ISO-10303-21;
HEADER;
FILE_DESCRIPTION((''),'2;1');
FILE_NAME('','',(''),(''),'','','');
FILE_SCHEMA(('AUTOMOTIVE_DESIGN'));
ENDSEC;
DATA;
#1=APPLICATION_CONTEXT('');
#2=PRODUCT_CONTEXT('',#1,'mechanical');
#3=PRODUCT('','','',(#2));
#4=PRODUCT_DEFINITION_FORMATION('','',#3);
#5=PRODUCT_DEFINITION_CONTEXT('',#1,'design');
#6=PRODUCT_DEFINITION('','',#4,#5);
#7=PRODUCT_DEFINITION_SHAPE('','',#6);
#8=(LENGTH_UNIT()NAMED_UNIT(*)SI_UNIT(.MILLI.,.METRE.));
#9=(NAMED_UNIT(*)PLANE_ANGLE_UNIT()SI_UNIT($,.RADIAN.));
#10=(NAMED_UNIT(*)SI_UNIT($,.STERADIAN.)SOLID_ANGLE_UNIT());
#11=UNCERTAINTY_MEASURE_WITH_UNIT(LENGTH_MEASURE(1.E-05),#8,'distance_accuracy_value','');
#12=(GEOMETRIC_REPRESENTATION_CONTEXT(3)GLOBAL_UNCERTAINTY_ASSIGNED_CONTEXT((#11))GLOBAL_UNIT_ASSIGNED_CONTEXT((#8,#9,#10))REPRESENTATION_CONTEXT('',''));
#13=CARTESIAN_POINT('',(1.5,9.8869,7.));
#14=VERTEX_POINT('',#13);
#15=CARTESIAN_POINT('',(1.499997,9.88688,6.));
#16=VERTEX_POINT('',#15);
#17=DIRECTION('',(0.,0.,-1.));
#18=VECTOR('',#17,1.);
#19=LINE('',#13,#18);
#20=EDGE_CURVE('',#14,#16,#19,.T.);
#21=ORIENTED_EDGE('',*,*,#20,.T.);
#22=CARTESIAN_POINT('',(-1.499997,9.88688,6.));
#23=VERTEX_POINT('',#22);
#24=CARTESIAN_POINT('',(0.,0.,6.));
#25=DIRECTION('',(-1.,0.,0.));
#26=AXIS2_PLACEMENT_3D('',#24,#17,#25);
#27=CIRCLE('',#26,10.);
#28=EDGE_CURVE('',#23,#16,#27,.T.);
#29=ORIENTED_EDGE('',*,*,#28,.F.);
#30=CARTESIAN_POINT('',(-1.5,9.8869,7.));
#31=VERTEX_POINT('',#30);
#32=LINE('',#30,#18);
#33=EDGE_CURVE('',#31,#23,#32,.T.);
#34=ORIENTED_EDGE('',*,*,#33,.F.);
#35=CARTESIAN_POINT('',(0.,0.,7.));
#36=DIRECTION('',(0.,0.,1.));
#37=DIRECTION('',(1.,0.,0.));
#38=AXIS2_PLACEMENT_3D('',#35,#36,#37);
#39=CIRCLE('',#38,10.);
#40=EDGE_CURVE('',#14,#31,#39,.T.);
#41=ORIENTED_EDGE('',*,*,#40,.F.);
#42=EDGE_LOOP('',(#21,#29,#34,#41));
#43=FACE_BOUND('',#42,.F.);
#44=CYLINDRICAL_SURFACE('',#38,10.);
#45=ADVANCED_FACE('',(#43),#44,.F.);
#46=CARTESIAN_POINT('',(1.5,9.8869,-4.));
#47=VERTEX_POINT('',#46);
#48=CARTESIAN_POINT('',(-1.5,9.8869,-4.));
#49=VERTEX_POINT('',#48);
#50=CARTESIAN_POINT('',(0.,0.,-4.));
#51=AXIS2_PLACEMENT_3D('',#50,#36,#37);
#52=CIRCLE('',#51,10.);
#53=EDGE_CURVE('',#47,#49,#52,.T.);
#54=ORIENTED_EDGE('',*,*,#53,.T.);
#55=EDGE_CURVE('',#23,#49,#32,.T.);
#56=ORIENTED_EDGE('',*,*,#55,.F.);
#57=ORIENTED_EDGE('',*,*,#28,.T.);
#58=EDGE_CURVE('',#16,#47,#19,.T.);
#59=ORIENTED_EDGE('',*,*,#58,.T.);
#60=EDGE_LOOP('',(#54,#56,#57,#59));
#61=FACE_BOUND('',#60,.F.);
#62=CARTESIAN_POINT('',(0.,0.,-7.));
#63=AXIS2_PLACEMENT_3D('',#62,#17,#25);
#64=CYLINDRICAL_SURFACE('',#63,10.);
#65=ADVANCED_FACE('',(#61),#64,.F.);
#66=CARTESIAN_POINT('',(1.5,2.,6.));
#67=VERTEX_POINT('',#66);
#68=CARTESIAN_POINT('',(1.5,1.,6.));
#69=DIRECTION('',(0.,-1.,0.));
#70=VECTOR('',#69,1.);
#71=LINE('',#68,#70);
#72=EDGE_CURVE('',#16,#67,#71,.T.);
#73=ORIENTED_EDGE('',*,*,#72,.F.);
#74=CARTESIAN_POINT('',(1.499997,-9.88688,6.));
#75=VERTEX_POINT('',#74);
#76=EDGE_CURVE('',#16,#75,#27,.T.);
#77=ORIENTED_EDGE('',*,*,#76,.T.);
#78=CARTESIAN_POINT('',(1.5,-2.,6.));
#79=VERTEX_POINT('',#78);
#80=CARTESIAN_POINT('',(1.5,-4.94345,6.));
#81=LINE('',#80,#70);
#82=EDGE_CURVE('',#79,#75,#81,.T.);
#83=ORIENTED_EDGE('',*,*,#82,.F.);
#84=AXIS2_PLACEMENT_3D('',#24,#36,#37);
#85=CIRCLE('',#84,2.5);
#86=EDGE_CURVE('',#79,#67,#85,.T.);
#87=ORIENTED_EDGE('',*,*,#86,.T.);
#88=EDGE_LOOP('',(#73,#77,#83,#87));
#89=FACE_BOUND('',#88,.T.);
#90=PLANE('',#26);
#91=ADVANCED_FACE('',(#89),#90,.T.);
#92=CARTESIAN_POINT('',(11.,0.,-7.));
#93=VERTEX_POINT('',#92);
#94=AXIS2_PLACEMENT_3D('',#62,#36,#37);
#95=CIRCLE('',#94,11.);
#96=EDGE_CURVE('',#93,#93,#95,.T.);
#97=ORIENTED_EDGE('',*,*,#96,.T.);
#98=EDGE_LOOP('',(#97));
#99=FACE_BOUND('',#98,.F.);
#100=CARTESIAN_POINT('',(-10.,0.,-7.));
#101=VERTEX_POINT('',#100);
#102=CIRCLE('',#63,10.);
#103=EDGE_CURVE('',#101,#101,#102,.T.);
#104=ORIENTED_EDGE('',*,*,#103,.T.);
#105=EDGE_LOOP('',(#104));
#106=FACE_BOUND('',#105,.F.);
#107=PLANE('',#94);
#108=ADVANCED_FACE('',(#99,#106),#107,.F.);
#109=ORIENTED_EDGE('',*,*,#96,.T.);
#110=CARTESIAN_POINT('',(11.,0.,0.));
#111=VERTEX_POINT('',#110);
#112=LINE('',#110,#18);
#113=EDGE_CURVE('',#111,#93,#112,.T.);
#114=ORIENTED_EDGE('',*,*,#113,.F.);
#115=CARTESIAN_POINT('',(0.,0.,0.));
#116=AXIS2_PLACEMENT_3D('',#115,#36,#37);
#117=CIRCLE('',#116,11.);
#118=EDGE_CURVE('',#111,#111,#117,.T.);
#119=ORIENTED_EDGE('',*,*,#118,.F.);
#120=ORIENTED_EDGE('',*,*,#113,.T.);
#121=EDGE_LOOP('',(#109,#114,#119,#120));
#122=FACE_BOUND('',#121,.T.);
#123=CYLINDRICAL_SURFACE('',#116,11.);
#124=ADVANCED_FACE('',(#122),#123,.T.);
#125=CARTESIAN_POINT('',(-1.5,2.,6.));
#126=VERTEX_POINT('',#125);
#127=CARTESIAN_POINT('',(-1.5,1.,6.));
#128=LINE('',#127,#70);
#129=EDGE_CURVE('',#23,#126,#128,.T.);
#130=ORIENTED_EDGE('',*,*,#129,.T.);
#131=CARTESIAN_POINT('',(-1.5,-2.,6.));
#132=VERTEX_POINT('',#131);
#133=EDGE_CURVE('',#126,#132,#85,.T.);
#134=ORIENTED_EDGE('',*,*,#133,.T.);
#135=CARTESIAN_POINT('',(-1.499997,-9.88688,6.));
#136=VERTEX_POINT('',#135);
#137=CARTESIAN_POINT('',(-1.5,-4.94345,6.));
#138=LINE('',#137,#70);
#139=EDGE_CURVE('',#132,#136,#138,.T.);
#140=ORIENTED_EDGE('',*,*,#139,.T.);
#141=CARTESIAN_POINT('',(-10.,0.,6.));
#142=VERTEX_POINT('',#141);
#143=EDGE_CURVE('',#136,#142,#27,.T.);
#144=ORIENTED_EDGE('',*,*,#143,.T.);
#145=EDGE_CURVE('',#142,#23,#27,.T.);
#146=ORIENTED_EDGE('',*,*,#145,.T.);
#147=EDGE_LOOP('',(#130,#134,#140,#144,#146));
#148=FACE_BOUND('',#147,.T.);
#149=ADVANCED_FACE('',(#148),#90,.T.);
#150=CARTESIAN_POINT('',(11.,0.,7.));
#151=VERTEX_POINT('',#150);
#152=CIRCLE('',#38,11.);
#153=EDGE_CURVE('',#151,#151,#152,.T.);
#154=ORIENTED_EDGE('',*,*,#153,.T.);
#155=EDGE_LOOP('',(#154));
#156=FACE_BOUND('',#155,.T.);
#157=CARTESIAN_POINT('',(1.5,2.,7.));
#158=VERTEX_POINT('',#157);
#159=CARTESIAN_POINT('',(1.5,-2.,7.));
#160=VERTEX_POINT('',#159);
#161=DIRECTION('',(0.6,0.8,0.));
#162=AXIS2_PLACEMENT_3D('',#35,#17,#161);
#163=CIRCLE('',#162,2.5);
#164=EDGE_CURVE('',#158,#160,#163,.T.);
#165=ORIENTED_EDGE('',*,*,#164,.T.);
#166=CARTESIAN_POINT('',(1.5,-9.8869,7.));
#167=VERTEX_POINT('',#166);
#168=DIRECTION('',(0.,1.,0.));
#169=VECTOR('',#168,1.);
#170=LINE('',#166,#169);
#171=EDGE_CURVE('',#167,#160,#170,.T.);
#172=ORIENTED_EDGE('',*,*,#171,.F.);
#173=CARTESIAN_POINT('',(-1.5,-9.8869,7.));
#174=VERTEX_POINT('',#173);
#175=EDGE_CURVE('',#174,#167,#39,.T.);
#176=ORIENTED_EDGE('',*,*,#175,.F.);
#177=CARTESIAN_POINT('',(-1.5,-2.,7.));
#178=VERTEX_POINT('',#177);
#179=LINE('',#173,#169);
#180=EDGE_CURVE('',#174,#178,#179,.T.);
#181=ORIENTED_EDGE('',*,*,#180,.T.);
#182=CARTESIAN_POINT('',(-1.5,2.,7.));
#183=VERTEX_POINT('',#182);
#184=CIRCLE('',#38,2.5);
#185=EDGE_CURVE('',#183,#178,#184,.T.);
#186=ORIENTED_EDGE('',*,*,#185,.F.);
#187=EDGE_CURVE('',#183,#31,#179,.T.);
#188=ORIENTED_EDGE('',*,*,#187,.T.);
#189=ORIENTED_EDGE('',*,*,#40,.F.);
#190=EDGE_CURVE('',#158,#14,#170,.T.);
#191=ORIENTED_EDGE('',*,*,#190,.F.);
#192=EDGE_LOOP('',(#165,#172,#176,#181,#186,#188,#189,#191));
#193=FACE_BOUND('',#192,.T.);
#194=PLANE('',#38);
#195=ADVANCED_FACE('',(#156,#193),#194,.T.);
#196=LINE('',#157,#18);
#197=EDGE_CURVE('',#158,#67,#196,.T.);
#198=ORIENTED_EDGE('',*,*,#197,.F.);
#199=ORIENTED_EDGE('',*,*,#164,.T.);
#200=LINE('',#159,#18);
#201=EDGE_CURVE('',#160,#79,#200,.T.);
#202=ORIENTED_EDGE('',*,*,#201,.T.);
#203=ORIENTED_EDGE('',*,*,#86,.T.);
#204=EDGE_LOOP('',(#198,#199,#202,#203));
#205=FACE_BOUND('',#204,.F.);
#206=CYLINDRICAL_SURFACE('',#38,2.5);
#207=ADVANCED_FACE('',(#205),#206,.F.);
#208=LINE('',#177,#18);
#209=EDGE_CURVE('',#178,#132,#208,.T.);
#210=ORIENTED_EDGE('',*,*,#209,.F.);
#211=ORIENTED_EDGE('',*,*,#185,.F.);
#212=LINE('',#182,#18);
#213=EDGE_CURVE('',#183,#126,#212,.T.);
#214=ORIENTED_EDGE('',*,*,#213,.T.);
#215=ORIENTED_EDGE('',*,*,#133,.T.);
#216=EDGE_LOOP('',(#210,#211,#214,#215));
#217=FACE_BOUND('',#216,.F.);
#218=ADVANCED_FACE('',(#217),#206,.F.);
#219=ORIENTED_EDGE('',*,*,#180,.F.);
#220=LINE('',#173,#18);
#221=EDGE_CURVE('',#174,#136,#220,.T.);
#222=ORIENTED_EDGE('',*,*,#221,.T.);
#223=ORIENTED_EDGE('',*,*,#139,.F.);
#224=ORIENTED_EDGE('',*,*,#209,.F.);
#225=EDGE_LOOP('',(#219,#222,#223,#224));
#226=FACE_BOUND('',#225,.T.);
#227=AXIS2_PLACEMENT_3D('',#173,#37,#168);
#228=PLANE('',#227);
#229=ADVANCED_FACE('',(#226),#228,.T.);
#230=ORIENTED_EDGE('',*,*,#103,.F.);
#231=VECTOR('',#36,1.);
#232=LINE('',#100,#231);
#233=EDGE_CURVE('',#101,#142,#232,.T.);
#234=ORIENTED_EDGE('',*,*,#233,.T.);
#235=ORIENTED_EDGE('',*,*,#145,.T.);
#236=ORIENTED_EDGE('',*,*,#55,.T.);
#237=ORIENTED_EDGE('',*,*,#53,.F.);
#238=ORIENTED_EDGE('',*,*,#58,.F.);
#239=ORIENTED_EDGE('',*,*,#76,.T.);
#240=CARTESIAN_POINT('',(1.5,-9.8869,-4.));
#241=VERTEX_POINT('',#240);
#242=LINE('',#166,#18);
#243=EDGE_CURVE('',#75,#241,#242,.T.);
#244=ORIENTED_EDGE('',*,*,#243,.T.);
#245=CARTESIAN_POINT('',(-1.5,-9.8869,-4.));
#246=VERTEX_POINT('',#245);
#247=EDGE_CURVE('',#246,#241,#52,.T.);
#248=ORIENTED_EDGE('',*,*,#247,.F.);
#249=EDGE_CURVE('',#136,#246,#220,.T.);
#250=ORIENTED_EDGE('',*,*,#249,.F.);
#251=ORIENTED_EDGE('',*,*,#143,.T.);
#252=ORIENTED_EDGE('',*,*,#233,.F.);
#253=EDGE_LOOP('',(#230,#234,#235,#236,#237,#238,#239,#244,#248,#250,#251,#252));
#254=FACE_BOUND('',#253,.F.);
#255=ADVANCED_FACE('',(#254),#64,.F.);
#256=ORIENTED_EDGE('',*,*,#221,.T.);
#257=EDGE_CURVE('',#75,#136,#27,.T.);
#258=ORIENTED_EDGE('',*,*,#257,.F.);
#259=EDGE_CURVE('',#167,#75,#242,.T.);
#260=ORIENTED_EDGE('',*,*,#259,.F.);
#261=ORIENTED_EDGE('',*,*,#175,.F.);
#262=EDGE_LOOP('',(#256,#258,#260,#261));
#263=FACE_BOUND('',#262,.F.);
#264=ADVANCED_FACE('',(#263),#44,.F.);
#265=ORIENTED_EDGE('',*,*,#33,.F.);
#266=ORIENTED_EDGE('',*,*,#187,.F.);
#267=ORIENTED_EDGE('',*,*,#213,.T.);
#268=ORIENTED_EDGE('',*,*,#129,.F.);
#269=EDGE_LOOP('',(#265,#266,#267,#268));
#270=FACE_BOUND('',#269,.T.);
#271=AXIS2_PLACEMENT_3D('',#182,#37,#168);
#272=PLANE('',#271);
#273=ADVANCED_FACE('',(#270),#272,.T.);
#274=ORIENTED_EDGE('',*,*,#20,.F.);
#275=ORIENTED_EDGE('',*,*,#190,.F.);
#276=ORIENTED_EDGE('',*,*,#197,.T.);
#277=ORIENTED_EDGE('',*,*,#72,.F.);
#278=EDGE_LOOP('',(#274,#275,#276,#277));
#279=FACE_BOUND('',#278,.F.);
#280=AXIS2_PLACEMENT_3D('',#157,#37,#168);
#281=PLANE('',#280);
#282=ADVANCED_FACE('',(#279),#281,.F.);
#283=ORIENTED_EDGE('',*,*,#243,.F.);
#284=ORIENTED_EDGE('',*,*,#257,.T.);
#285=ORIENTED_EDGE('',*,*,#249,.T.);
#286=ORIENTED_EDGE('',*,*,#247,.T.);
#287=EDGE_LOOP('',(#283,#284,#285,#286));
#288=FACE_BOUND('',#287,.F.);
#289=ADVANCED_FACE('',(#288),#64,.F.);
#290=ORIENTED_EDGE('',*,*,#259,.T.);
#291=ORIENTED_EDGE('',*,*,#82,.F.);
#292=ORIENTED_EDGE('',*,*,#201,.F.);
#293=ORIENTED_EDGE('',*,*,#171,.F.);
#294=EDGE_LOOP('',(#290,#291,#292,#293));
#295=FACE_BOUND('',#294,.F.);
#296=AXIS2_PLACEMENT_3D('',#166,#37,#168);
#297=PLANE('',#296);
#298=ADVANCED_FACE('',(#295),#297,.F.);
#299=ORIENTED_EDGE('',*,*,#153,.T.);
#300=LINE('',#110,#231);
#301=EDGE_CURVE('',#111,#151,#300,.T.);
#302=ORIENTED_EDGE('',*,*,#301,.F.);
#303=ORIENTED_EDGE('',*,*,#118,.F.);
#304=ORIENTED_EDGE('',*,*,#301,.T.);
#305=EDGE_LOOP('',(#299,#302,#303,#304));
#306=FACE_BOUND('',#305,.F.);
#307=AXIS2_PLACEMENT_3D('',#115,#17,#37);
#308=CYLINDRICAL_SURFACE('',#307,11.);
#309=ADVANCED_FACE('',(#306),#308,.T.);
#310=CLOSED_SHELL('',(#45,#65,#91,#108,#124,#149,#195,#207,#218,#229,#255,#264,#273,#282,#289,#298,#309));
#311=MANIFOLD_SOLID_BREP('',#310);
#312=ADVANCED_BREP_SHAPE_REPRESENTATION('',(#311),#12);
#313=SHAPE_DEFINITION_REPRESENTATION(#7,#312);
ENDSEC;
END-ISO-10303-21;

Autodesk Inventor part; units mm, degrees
ref_plane "YZ Plane" through (0, 0, 0) normal (1, 0, 0) x (0, 1, 0)
ref_plane "XZ Plane" through (0, 0, 0) normal (0, 1, 0) x (-1, 0, 0)
ref_plane "XY Plane" through (0, 0, 0) normal (0, 0, 1) x (1, 0, 0)
sketch "Skizze1" plane through (0, 0, 0) normal (0, 0, 1) x (1, 0, 0)
  circle A0 centre (0, 0) radius 11
  dimension "d0" = 22
extrude "Extrusion1" add sketch "Skizze1" along normal mid plane 14
sketch "Skizze2" plane through (0, 0, -7) normal (0, 0, -1) x (-1, 0, 0)
  circle A0 centre (0, 0) radius 10
  circle A1 centre (0, 0) radius 11 projected
  dimension "d3" = 1
extrude "Extrusion2" cut sketch "Skizze2" against normal blind 13 contours A0
sketch "Skizze3" plane through (0, 0, 7) normal (0, 0, 1) x (1, 0, 0)
  circle A0 centre (0, 0) radius 2.5
  circle A1 centre (0, 0) radius 10 projected
  line L0 (1.5, -9.8869) -> (1.5, 9.8869)
  line L1 (-1.5, -9.8869) -> (-1.5, 9.8869)
  point P0 (-1.5, 2)
  point P1 (-1.5, -2)
  point P2 (1.5, -2)
  point P3 (1.5, 2)
  dimension "d6" = 5
  dimension "d7" = 3
  dimension "d8" = 1.5
extrude "Extrusion3" cut sketch "Skizze3" against normal blind 11 contours A0 L0 | L0 A0 L1 | A0 L1 A1 L0 | L0 A1 L1 A0 | L1 A0
equation "\"d8\" = 0.5 * d7"
properties part number "LED-Schirm"
